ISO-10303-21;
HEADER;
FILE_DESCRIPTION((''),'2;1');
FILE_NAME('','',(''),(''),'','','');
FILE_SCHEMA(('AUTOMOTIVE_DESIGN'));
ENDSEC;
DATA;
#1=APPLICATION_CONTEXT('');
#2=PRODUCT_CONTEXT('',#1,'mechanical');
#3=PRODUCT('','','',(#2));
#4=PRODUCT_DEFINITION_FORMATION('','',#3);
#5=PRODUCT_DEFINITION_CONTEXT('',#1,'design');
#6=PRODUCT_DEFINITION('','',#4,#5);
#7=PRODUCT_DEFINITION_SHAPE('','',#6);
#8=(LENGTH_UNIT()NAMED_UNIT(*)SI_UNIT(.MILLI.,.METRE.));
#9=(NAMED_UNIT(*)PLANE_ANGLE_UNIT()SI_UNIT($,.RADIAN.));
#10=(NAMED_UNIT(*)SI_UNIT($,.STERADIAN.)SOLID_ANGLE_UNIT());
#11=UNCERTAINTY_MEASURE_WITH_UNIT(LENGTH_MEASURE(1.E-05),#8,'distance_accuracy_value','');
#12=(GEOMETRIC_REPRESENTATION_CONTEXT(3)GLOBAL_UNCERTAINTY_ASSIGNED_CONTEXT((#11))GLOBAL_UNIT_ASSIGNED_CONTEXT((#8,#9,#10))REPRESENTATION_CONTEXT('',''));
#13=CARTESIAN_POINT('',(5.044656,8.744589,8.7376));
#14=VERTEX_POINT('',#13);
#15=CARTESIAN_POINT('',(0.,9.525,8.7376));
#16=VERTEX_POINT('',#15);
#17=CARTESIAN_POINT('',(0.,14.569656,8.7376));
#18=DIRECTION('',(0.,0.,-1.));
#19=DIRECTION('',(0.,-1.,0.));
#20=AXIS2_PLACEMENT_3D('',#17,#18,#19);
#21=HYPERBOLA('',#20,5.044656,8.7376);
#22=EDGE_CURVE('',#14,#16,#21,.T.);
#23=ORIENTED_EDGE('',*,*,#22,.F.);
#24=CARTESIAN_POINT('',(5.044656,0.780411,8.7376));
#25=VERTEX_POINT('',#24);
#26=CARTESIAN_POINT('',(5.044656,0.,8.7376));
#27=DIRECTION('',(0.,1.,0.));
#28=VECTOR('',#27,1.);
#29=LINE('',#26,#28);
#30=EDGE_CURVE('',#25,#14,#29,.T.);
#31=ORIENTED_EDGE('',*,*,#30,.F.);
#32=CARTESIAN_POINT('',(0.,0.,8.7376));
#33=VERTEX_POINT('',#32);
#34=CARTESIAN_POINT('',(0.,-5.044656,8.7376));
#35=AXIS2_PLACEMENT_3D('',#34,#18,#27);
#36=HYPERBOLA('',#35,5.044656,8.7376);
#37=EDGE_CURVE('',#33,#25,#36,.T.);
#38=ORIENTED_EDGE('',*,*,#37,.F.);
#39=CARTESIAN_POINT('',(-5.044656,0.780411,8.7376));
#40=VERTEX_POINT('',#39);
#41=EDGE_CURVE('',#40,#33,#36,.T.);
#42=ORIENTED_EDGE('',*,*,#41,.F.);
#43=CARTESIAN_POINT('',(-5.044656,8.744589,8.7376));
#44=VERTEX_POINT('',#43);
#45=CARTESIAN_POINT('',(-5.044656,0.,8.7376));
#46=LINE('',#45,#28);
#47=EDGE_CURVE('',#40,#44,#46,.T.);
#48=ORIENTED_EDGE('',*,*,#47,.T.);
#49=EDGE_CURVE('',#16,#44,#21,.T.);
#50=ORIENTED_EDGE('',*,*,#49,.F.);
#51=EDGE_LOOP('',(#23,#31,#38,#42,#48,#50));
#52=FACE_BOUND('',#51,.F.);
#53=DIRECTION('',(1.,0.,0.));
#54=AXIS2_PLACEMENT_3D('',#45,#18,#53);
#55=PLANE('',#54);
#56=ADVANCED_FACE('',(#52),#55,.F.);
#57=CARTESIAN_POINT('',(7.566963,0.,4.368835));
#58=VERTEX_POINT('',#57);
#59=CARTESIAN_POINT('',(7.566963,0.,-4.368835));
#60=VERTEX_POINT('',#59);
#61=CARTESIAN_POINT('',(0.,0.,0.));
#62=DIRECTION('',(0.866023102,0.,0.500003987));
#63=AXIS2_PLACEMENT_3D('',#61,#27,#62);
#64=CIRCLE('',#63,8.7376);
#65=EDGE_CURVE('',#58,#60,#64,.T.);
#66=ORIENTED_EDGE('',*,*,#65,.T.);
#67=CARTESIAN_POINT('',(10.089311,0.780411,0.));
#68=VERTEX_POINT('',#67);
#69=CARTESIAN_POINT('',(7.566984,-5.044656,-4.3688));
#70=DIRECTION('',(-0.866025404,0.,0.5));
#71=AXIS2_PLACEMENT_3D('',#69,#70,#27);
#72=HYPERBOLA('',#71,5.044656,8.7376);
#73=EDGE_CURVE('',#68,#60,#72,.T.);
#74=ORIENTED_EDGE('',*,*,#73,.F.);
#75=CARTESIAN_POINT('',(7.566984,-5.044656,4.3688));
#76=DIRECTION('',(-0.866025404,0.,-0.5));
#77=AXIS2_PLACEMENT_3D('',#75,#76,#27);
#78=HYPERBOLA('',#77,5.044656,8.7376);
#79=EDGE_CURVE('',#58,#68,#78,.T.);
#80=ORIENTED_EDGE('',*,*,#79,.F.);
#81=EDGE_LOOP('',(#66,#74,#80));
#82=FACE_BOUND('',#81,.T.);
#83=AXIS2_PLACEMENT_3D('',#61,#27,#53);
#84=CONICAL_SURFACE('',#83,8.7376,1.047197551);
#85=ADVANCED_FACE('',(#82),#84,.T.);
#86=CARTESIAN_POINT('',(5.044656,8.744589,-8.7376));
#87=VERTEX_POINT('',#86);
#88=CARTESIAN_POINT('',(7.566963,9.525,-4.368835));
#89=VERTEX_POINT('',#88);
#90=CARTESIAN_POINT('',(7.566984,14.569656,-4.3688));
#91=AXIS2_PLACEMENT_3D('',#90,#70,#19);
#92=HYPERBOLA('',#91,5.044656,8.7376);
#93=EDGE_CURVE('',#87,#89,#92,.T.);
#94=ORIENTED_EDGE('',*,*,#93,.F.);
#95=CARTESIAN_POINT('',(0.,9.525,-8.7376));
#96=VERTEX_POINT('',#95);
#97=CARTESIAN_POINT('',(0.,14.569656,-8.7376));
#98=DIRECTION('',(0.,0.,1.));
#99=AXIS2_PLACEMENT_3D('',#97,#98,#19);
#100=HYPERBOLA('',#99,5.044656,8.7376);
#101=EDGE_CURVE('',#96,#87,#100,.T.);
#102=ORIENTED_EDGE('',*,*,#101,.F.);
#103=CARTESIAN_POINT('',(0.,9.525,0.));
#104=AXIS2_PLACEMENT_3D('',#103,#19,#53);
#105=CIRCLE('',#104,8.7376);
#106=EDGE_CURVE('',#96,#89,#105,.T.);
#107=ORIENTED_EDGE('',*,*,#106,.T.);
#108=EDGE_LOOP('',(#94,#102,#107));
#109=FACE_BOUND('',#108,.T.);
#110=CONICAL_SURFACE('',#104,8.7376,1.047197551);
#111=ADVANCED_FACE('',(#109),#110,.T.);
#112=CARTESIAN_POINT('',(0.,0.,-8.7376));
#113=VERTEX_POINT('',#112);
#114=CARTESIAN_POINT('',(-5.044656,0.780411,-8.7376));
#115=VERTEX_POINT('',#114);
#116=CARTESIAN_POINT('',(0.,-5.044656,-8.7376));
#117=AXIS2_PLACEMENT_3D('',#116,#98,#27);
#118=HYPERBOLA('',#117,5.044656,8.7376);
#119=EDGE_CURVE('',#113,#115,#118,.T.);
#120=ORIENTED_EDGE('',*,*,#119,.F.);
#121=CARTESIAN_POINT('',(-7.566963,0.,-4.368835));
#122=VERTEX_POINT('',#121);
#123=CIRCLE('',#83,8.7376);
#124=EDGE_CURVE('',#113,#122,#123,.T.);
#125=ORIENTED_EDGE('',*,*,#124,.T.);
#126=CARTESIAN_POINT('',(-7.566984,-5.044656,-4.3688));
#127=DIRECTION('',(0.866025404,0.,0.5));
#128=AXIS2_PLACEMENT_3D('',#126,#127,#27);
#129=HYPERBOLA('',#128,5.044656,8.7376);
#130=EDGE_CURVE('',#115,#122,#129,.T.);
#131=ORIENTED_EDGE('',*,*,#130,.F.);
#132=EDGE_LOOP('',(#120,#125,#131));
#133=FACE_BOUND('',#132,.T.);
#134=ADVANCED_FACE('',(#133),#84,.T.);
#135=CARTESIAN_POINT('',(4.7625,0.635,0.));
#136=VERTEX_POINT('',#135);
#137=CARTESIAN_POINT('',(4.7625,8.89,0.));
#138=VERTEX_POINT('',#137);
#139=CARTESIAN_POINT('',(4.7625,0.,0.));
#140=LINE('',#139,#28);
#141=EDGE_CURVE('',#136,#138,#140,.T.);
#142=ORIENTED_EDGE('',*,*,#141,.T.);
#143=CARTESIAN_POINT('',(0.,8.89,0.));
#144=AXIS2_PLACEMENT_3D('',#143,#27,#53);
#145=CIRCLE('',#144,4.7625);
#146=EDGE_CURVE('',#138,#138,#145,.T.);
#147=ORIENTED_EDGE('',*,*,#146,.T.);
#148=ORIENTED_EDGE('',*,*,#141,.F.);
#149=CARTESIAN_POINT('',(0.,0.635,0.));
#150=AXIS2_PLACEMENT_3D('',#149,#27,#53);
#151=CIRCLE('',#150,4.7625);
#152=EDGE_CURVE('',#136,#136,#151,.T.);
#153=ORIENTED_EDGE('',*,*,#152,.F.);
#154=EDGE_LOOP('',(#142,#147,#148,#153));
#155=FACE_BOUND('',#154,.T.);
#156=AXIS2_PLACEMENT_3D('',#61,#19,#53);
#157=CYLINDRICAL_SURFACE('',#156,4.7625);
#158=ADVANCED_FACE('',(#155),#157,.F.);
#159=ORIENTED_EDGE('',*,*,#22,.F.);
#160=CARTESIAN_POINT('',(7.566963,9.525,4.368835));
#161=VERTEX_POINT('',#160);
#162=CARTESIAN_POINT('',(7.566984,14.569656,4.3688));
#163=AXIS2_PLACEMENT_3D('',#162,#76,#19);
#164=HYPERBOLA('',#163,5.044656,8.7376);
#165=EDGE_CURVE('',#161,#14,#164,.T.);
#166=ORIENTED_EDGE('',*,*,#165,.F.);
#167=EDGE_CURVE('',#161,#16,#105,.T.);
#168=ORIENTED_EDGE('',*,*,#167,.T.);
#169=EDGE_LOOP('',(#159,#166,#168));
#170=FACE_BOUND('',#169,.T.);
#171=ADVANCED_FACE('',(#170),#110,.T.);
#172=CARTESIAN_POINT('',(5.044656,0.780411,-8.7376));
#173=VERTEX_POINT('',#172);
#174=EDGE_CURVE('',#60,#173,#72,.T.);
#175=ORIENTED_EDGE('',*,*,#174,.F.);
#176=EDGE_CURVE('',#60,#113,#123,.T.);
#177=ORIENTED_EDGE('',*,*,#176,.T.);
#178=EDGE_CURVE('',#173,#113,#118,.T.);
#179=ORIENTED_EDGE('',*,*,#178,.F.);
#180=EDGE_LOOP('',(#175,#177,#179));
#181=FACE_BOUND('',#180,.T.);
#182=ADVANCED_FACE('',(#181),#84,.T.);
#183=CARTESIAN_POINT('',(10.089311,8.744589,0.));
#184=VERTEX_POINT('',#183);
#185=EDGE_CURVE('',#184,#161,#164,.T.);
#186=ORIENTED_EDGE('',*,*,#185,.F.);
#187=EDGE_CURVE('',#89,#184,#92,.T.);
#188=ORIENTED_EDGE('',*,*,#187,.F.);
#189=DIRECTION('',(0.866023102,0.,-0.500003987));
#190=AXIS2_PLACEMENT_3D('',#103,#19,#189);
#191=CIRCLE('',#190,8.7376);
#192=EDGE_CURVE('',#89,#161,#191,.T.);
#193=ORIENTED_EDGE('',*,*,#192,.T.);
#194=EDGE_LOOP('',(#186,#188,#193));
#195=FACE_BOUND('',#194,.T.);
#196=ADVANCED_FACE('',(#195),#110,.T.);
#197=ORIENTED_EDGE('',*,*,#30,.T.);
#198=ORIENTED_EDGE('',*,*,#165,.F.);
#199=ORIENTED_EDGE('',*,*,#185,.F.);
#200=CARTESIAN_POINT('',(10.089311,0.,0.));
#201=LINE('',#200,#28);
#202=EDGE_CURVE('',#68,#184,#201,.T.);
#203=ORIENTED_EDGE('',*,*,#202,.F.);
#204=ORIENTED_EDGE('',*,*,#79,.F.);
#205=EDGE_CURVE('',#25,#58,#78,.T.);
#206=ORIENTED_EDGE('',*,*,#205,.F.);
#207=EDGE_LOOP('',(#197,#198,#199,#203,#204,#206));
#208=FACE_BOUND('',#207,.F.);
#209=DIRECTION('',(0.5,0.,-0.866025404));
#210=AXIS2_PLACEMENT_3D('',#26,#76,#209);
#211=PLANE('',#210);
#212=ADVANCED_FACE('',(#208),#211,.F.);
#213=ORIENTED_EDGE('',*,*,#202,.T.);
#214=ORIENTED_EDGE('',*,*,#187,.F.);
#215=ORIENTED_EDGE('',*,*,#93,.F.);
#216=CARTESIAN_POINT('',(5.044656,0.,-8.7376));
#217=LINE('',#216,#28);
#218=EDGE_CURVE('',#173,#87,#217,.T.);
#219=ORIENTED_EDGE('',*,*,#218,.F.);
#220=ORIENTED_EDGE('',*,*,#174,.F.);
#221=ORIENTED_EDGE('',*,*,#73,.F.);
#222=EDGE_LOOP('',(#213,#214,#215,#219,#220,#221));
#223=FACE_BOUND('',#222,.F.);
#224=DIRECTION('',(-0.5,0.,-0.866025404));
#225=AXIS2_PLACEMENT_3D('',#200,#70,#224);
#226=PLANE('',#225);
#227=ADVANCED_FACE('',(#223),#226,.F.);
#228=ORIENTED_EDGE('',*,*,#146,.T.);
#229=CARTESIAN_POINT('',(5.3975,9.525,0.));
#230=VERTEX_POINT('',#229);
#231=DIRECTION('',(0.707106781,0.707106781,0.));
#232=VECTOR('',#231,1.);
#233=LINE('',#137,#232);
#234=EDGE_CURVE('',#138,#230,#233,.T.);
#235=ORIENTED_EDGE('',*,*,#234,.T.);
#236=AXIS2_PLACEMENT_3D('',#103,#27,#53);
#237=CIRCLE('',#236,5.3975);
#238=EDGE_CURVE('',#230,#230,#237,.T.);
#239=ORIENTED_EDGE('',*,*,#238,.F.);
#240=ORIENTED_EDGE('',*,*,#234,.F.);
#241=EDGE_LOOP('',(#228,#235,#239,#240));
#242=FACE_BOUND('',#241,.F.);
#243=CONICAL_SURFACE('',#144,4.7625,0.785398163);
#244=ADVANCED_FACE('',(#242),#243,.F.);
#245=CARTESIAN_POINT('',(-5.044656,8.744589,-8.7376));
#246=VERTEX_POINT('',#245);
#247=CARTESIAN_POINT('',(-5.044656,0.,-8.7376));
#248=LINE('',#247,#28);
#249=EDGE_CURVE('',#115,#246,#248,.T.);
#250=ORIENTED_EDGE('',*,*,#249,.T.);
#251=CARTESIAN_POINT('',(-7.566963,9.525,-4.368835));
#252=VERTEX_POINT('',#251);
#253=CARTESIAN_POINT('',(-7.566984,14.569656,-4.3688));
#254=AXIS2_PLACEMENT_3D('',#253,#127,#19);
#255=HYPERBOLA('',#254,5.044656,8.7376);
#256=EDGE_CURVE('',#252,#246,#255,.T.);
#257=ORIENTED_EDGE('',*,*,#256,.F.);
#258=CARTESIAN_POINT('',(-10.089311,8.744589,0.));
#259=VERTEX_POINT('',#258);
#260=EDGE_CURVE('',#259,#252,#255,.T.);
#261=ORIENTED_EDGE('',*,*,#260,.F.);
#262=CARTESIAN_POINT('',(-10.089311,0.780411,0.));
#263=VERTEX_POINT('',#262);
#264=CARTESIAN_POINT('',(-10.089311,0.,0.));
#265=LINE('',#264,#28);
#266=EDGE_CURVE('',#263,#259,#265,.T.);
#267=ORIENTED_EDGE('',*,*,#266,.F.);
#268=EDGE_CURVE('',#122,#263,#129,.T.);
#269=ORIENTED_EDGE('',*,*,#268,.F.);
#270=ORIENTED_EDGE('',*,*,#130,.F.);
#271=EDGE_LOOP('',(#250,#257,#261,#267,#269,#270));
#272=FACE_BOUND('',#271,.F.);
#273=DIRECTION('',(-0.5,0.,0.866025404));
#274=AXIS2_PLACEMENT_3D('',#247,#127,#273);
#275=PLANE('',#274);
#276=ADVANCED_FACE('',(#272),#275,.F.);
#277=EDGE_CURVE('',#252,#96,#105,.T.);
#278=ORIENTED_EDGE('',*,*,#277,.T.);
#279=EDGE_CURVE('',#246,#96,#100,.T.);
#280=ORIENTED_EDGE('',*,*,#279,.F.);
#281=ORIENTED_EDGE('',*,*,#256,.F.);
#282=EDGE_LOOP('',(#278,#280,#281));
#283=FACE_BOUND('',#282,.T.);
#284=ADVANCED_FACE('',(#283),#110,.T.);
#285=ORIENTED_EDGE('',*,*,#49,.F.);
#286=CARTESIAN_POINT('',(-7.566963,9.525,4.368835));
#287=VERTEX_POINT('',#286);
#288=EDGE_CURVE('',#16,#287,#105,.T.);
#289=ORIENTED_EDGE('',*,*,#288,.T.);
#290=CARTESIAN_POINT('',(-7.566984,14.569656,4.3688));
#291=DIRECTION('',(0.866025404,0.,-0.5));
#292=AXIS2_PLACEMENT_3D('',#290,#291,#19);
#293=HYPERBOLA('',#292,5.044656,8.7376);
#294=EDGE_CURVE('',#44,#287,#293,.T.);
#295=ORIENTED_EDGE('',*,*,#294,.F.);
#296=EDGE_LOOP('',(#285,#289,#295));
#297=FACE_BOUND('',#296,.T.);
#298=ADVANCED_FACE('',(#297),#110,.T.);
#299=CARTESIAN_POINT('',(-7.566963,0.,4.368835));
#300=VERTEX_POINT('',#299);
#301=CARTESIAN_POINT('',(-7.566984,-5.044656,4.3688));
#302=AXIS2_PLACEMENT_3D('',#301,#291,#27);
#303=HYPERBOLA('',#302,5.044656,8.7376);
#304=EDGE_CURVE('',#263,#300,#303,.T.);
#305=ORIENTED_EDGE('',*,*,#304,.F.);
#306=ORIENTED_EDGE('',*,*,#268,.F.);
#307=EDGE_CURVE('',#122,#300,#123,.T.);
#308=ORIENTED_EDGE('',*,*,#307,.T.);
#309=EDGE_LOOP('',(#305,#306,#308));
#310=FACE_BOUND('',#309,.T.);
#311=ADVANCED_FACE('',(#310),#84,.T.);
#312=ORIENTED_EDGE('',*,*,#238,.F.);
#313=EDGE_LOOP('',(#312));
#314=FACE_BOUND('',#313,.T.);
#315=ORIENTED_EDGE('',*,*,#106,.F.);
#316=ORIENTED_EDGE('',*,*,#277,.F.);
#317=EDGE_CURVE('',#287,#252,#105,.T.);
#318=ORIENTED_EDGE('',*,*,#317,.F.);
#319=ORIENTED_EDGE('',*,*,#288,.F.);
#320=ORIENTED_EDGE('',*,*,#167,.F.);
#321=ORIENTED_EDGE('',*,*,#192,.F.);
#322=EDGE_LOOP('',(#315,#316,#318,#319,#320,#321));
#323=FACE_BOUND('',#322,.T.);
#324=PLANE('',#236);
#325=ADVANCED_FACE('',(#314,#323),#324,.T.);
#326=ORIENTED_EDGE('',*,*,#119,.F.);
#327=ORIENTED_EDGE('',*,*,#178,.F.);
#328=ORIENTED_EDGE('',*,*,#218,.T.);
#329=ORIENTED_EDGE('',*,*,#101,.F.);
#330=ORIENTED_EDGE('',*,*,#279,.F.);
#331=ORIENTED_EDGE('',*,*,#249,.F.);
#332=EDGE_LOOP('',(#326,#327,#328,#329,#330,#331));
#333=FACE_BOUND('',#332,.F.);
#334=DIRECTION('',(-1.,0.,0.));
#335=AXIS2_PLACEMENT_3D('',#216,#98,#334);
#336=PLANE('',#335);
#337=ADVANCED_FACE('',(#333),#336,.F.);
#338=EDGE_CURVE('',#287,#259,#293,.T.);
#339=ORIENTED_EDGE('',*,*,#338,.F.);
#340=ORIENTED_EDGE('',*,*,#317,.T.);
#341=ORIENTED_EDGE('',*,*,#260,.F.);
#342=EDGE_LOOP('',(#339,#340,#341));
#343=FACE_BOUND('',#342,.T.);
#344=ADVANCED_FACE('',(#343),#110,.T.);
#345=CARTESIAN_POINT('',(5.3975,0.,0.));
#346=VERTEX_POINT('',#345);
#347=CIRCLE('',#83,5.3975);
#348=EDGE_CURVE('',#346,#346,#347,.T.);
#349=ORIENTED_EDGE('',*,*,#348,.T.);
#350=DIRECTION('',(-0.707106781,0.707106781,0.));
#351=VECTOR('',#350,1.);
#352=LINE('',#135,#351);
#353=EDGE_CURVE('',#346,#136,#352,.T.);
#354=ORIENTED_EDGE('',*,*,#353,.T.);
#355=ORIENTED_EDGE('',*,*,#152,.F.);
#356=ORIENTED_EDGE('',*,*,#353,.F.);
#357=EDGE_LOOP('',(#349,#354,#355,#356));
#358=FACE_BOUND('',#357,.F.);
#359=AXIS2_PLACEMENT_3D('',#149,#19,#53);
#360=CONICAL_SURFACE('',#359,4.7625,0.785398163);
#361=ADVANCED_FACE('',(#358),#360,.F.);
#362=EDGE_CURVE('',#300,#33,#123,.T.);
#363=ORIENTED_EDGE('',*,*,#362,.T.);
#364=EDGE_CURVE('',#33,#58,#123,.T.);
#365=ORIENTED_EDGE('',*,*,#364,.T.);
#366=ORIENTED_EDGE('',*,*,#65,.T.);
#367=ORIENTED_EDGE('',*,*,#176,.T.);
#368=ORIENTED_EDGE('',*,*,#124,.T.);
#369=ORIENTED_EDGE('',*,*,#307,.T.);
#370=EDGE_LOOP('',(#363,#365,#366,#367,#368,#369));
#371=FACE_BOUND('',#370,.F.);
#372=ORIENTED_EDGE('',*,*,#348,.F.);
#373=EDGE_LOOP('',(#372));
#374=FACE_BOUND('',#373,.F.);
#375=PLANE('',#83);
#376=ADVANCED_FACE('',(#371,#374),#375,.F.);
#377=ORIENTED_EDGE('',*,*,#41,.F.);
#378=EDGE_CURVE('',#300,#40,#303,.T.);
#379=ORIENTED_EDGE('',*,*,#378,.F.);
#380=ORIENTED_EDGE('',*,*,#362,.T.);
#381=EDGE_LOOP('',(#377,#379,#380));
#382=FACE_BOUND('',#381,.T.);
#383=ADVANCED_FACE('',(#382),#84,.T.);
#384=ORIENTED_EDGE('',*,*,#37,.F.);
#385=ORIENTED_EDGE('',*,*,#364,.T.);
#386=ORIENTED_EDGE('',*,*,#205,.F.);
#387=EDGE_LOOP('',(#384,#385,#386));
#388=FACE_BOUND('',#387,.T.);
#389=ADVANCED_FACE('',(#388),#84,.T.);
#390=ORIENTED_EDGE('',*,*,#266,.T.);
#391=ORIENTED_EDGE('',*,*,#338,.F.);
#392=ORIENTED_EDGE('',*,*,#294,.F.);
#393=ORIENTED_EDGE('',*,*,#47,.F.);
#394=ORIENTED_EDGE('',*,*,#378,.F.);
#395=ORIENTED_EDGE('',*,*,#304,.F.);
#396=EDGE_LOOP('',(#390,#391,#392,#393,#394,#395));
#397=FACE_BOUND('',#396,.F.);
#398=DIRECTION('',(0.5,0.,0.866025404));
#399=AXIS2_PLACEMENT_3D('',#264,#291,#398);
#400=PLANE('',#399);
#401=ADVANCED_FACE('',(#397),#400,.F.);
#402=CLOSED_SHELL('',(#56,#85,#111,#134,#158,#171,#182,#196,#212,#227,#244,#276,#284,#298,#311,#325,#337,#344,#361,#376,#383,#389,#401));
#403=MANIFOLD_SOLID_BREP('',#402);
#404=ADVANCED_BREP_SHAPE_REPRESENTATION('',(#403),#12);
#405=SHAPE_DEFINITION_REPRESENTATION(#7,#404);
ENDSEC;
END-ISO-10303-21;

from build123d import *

# Parameters (mm, degrees)
SKETCH1_R           = 4.7625
BOSS_EXTRUDE1_DEPTH = 9.525
SKETCH2_OUTSIDE_W   = 60.842
SKETCH2_OUTSIDE_H   = 58.14
SKETCH2_OUTSIDE_R   = 8.7376
CUT_EXTRUDE1_DEPTH  = 9.525
CUT_EXTRUDE1_TAPER  = 60
SKETCH3_OUTSIDE_W   = 60.842
SKETCH3_OUTSIDE_H   = 58.14
SKETCH3_OUTSIDE_R   = 8.7376
CUT_EXTRUDE2_DEPTH  = 9.525
CUT_EXTRUDE2_TAPER  = 60
CHAMFER1_SIZE       = 0.635


with BuildPart() as part:
    # Sketch1 → Boss-Extrude1 (new body)
    with BuildSketch(Plane(origin=(0, 0, 0), x_dir=(1, 0, 0), z_dir=(0, 1, 0))):
        Polygon((10.089311424, 0), (5.044655712, 8.7376), (-5.044655712, 8.7376), (-10.089311424, 0), (-5.044655712, -8.7376), (5.044655712, -8.7376), align=None)
        Circle(SKETCH1_R, mode=Mode.SUBTRACT)
    extrude(amount=BOSS_EXTRUDE1_DEPTH)

    # Sketch2 outside → Cut-Extrude1 (cut)
    with BuildSketch(Plane(origin=(0, 9.525, 0), x_dir=(1, 0, 0), z_dir=(0, 1, 0))):
        Rectangle(SKETCH2_OUTSIDE_W, SKETCH2_OUTSIDE_H)
        Circle(SKETCH2_OUTSIDE_R, mode=Mode.SUBTRACT)
    extrude(amount=-CUT_EXTRUDE1_DEPTH, taper=CUT_EXTRUDE1_TAPER, mode=Mode.SUBTRACT)

    # Sketch3 outside → Cut-Extrude2 (cut)
    with BuildSketch(Plane.XZ):
        Rectangle(SKETCH3_OUTSIDE_W, SKETCH3_OUTSIDE_H)
        Circle(SKETCH3_OUTSIDE_R, mode=Mode.SUBTRACT)
    extrude(amount=-CUT_EXTRUDE2_DEPTH, taper=CUT_EXTRUDE2_TAPER, mode=Mode.SUBTRACT)

    # Chamfer1
    chamfer1_edges = [part.edges().sort_by_distance(p)[0] for p in [
        (-4.7625, 0, 0),
        (-4.7625, 9.525, 0),
    ]]
    chamfer(chamfer1_edges, length=CHAMFER1_SIZE)


solid = part.part
